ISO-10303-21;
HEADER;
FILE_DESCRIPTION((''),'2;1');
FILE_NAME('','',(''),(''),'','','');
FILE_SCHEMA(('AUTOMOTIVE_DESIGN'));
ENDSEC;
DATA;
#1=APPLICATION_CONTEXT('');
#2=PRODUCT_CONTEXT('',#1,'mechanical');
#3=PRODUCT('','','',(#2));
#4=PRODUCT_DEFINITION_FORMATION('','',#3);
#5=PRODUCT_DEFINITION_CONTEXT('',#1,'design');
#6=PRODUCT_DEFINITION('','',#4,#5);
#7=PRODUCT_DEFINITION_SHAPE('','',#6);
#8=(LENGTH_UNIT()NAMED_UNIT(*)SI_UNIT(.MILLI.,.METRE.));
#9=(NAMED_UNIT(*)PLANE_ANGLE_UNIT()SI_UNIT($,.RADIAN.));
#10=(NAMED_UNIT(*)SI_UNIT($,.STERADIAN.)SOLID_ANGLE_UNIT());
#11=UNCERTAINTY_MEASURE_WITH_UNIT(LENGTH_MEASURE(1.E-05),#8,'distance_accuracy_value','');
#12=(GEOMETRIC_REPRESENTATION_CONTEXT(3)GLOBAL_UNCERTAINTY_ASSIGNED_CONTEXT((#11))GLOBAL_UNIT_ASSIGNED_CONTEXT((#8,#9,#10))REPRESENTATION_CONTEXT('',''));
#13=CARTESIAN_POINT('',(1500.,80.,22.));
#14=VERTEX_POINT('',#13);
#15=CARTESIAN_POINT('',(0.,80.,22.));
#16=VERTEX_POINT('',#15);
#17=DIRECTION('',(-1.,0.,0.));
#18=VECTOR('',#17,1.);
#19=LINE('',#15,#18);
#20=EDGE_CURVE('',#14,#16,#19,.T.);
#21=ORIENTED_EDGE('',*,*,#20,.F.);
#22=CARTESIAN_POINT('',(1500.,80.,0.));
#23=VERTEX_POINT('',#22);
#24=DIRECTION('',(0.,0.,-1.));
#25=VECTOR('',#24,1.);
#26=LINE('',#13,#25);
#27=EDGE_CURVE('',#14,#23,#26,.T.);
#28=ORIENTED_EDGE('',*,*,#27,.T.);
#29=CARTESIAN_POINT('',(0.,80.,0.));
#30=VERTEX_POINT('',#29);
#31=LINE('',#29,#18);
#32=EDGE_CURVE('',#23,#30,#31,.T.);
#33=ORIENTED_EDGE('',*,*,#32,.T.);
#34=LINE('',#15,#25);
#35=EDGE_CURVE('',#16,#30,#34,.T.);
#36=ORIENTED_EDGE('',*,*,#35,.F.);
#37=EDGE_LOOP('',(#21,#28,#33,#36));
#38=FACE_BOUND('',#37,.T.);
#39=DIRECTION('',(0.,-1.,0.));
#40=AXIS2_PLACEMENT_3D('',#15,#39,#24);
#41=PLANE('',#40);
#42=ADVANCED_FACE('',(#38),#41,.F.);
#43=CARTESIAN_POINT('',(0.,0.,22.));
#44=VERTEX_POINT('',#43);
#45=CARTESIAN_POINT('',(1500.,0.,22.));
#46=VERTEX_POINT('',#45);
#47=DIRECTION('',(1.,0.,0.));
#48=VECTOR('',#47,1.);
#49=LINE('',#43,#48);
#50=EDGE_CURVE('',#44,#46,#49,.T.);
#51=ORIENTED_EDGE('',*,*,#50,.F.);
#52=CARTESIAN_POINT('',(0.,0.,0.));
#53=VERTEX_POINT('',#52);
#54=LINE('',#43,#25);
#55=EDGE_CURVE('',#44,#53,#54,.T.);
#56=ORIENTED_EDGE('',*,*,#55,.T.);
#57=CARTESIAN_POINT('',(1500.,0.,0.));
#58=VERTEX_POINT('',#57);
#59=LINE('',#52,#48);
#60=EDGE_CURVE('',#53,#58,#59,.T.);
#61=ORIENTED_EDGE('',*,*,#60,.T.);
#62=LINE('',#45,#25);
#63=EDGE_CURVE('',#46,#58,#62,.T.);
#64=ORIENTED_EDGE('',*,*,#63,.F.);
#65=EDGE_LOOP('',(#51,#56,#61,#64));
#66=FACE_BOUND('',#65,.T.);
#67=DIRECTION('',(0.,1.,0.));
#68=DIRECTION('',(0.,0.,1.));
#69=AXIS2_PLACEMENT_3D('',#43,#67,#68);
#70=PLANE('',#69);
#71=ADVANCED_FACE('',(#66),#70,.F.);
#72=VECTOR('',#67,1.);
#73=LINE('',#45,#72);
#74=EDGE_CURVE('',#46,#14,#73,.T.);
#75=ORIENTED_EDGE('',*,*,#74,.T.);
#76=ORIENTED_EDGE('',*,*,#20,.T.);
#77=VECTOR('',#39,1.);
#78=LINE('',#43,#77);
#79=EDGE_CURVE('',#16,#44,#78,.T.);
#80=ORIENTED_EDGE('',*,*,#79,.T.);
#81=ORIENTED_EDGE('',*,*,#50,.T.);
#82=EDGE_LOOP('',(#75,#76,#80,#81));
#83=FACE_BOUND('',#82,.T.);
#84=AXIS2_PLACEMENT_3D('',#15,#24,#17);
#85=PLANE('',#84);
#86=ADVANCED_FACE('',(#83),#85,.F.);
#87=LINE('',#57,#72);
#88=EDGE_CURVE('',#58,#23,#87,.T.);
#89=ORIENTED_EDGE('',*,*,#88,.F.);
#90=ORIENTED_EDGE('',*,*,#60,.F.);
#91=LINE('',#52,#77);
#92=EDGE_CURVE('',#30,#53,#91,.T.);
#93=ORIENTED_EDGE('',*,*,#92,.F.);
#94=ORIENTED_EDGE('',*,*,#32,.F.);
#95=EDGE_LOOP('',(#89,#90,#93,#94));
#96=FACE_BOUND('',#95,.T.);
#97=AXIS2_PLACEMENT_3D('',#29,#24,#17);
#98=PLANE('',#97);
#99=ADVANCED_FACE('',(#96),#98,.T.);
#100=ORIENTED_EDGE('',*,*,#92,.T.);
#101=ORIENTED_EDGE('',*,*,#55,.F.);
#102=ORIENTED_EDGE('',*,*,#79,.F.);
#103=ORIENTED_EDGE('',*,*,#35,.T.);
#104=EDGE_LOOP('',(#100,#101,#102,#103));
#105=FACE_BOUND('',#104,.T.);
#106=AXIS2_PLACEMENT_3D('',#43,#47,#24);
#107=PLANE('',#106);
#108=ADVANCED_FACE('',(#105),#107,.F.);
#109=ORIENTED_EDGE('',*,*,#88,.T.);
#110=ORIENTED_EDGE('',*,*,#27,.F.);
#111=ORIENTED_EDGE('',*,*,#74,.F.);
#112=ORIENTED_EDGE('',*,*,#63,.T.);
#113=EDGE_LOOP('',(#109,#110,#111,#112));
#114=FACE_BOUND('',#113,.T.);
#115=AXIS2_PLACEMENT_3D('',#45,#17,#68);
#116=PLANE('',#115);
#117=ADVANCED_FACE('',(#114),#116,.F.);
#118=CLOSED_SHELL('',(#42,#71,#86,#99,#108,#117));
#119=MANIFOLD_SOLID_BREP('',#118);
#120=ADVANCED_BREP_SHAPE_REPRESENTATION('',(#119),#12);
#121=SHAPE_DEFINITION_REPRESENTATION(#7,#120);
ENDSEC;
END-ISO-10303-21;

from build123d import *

# Parameters (mm, degrees)
ESQUISSE1_W      = 1500
ESQUISSE1_H      = 80
EXTRUSION1_DEPTH = 22


with BuildPart() as part:
    # Esquisse1 → Extrusion1 (new body)
    with BuildSketch(Plane.XY):
        with Locations((750, 40)):
            Rectangle(ESQUISSE1_W, ESQUISSE1_H)
    extrude(amount=EXTRUSION1_DEPTH)


solid = part.part
